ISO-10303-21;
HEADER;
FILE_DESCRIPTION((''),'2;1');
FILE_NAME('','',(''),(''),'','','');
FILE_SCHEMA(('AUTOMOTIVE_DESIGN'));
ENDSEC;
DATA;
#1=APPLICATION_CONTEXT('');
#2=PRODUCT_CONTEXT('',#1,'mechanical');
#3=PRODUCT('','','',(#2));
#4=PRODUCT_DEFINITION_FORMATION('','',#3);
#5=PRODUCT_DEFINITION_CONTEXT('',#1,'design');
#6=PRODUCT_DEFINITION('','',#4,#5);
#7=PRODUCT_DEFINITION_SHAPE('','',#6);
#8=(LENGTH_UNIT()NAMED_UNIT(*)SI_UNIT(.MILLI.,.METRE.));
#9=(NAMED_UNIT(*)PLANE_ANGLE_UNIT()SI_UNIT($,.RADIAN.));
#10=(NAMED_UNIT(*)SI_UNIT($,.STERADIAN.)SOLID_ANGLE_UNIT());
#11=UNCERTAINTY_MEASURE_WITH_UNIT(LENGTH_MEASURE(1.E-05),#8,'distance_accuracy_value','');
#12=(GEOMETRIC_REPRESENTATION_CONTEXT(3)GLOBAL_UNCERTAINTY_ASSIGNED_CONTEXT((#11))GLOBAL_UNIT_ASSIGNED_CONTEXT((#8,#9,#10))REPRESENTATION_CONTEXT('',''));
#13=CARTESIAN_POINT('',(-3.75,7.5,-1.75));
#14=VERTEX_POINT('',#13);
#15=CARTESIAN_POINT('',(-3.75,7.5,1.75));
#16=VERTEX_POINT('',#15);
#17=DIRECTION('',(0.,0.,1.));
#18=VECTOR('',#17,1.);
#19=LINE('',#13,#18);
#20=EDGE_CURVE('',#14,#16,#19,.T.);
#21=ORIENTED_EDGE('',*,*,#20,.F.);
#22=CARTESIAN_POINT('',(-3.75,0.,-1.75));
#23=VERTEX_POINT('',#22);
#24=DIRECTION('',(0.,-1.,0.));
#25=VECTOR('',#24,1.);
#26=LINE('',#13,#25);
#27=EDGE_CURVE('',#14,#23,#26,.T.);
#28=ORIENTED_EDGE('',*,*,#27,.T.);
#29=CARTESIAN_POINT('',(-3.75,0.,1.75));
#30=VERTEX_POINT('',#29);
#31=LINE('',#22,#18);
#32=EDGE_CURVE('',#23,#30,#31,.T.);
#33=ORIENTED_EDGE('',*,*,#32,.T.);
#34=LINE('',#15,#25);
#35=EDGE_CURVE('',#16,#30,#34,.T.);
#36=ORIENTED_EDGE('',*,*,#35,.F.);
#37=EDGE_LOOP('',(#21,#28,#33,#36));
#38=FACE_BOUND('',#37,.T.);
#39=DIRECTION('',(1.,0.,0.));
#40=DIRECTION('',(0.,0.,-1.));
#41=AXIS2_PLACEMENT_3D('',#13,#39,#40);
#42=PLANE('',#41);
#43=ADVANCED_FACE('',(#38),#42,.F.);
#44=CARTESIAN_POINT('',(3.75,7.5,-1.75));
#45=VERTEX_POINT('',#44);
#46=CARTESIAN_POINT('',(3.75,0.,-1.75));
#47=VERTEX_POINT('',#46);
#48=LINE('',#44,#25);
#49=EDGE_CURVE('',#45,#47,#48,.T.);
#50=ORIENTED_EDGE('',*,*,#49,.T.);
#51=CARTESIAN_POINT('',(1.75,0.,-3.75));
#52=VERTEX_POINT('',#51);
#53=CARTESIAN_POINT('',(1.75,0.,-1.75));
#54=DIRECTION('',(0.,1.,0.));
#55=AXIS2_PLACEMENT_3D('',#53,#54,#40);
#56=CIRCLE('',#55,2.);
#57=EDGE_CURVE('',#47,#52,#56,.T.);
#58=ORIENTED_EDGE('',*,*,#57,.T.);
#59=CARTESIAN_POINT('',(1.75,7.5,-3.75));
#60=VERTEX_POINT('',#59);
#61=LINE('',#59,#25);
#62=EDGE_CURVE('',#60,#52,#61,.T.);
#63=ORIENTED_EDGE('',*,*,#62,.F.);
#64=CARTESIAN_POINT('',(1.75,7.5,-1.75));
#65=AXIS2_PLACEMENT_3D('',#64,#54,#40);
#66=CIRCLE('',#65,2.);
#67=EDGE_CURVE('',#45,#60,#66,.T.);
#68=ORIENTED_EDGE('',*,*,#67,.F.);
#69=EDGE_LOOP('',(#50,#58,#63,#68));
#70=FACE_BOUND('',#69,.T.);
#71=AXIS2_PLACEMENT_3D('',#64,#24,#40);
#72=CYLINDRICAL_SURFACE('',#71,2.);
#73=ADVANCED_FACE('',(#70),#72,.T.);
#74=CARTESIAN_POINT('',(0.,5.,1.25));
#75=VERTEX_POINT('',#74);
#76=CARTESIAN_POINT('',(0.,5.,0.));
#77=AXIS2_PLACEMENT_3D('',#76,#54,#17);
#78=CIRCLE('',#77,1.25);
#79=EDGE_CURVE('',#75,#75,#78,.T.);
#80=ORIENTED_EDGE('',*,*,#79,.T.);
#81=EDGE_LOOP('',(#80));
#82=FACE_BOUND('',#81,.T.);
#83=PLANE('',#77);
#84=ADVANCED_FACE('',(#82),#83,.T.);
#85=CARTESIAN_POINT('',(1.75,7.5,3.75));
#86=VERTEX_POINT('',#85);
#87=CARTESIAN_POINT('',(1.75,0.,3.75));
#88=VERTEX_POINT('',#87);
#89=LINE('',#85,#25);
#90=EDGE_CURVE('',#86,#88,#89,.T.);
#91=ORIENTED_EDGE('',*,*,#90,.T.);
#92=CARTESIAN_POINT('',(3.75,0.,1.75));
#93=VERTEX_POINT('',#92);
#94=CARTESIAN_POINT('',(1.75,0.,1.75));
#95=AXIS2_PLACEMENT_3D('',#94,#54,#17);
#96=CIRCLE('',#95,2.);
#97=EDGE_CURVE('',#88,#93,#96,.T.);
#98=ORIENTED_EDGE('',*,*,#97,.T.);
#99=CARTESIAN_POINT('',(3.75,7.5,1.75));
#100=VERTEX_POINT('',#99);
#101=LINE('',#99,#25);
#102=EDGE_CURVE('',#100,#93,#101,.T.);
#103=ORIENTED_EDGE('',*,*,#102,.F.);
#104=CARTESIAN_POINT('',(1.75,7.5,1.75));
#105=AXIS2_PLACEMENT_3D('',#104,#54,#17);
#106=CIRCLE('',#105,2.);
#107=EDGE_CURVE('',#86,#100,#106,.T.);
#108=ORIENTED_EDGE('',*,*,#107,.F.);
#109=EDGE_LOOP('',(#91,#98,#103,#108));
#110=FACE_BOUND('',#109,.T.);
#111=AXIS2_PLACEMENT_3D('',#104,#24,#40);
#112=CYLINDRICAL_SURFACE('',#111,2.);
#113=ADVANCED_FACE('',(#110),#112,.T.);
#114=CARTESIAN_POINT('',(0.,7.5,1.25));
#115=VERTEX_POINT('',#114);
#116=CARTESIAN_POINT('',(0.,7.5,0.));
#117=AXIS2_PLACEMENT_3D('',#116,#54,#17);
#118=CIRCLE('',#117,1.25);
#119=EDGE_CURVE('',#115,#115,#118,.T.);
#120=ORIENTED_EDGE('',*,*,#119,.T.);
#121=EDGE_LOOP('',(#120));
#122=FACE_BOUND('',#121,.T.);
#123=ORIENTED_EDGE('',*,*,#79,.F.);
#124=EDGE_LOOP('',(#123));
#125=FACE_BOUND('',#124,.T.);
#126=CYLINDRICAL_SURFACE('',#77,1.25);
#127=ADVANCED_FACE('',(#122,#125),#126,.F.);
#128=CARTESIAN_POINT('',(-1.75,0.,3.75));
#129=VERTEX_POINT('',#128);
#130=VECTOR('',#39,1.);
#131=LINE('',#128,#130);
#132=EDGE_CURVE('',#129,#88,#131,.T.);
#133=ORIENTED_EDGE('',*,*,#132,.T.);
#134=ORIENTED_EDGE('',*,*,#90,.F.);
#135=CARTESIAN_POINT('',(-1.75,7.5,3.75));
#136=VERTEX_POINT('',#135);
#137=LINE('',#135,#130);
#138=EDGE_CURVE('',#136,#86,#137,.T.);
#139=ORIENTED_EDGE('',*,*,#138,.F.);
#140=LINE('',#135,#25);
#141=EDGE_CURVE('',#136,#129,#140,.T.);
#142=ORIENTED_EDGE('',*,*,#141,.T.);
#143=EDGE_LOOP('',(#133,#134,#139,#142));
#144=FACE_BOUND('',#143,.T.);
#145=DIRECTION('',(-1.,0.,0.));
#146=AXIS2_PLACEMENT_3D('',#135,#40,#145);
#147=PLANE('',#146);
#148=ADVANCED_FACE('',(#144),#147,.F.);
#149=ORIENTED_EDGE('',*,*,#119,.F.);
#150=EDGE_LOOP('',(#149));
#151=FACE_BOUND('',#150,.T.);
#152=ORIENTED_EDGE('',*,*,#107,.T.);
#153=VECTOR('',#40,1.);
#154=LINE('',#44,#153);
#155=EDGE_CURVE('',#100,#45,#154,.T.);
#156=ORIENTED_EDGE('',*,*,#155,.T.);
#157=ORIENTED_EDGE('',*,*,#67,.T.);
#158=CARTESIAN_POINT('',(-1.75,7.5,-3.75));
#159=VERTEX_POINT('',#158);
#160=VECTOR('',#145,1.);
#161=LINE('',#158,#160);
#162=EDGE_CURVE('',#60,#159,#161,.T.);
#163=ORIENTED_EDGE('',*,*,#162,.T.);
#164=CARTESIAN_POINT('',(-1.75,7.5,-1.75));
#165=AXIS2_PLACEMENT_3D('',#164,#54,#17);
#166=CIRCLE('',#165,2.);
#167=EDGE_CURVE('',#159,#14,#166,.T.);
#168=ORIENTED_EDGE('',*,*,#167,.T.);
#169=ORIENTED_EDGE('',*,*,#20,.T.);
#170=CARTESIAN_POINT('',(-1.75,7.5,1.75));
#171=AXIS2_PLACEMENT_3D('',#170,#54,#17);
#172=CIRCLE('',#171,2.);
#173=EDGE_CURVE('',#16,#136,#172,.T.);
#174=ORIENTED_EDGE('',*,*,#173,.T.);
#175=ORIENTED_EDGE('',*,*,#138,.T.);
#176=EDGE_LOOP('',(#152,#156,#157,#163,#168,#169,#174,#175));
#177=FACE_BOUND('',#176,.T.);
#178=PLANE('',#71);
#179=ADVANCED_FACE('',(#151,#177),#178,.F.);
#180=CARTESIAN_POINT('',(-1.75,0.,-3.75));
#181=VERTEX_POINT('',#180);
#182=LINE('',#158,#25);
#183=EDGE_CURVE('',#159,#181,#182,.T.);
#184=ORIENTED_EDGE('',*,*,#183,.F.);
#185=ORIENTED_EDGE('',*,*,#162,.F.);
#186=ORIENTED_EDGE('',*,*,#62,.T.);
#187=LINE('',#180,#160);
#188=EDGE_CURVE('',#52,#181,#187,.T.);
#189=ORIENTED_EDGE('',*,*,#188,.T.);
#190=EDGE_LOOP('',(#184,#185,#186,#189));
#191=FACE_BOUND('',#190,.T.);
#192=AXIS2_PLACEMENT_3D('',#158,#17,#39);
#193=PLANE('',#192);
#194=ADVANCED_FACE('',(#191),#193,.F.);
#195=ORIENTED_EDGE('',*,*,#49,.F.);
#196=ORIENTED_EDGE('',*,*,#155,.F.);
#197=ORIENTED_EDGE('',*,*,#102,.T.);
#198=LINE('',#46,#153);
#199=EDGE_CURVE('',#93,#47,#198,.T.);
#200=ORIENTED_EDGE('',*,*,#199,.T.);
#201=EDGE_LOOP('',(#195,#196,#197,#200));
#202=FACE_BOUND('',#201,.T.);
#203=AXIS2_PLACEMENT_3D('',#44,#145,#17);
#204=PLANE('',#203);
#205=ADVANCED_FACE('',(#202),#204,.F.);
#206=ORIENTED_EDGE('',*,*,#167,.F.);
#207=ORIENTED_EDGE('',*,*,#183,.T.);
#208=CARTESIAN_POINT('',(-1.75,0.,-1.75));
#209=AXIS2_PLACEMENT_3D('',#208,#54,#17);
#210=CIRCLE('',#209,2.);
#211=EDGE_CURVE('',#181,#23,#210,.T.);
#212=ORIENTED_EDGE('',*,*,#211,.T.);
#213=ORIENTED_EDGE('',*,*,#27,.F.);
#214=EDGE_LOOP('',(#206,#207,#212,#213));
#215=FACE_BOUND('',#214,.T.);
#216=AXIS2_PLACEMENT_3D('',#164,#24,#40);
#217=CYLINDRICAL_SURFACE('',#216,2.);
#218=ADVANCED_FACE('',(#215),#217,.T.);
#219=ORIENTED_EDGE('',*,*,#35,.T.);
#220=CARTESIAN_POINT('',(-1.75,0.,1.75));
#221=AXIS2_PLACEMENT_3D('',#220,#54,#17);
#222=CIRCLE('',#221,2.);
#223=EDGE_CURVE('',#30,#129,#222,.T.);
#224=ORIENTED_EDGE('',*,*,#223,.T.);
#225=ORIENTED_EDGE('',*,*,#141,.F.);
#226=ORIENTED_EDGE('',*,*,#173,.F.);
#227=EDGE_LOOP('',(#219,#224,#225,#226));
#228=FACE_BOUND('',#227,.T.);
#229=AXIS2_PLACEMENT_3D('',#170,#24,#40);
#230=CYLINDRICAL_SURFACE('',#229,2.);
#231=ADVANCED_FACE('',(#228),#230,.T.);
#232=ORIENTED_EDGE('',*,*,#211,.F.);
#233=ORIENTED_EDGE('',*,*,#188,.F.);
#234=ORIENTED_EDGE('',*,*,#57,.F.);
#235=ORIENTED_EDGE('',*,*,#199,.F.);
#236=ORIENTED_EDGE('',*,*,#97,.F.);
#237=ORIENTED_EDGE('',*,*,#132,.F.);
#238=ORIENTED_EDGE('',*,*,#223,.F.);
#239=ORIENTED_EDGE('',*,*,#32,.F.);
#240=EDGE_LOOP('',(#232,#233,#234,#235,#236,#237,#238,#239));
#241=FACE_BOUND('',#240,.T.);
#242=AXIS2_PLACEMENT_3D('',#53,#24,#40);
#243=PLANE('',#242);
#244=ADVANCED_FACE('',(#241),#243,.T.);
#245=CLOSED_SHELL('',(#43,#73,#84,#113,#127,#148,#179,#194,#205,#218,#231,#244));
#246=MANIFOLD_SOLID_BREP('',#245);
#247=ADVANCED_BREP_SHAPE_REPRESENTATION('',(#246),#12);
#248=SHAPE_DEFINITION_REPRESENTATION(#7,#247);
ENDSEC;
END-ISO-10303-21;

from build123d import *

# Parameters (mm, degrees)
BOSS_EXTRUDE1_DEPTH = 7.5
SKETCH2_R           = 1.25
CUT_EXTRUDE1_DEPTH  = 2.5


with BuildPart() as part:
    # Sketch1 → Boss-Extrude1 (new body)
    with BuildSketch(Plane(origin=(0, 0, 0), x_dir=(1, 0, 0), z_dir=(0, 1, 0))):
        with BuildLine():
            Line((-1.75, 3.75), (1.75, 3.75))
            ThreePointArc((1.75, 3.75), (3.164213562, 3.164213562), (3.75, 1.75))
            Line((3.75, 1.75), (3.75, -1.75))
            ThreePointArc((3.75, -1.75), (3.164213562, -3.164213562), (1.75, -3.75))
            Line((1.75, -3.75), (-1.75, -3.75))
            ThreePointArc((-1.75, -3.75), (-3.164213562, -3.164213562), (-3.75, -1.75))
            Line((-3.75, -1.75), (-3.75, 1.75))
            ThreePointArc((-3.75, 1.75), (-3.164213562, 3.164213562), (-1.75, 3.75))
        make_face()
    extrude(amount=BOSS_EXTRUDE1_DEPTH)

    # Sketch2 → Cut-Extrude1 (cut)
    with BuildSketch(Plane(origin=(0, 7.5, 0), x_dir=(1, 0, 0), z_dir=(0, 1, 0))):
        with Locations(Location((0, 0, 0), (0, 0, 270))):
            Circle(SKETCH2_R)
    extrude(amount=-CUT_EXTRUDE1_DEPTH, mode=Mode.SUBTRACT)


solid = part.part
